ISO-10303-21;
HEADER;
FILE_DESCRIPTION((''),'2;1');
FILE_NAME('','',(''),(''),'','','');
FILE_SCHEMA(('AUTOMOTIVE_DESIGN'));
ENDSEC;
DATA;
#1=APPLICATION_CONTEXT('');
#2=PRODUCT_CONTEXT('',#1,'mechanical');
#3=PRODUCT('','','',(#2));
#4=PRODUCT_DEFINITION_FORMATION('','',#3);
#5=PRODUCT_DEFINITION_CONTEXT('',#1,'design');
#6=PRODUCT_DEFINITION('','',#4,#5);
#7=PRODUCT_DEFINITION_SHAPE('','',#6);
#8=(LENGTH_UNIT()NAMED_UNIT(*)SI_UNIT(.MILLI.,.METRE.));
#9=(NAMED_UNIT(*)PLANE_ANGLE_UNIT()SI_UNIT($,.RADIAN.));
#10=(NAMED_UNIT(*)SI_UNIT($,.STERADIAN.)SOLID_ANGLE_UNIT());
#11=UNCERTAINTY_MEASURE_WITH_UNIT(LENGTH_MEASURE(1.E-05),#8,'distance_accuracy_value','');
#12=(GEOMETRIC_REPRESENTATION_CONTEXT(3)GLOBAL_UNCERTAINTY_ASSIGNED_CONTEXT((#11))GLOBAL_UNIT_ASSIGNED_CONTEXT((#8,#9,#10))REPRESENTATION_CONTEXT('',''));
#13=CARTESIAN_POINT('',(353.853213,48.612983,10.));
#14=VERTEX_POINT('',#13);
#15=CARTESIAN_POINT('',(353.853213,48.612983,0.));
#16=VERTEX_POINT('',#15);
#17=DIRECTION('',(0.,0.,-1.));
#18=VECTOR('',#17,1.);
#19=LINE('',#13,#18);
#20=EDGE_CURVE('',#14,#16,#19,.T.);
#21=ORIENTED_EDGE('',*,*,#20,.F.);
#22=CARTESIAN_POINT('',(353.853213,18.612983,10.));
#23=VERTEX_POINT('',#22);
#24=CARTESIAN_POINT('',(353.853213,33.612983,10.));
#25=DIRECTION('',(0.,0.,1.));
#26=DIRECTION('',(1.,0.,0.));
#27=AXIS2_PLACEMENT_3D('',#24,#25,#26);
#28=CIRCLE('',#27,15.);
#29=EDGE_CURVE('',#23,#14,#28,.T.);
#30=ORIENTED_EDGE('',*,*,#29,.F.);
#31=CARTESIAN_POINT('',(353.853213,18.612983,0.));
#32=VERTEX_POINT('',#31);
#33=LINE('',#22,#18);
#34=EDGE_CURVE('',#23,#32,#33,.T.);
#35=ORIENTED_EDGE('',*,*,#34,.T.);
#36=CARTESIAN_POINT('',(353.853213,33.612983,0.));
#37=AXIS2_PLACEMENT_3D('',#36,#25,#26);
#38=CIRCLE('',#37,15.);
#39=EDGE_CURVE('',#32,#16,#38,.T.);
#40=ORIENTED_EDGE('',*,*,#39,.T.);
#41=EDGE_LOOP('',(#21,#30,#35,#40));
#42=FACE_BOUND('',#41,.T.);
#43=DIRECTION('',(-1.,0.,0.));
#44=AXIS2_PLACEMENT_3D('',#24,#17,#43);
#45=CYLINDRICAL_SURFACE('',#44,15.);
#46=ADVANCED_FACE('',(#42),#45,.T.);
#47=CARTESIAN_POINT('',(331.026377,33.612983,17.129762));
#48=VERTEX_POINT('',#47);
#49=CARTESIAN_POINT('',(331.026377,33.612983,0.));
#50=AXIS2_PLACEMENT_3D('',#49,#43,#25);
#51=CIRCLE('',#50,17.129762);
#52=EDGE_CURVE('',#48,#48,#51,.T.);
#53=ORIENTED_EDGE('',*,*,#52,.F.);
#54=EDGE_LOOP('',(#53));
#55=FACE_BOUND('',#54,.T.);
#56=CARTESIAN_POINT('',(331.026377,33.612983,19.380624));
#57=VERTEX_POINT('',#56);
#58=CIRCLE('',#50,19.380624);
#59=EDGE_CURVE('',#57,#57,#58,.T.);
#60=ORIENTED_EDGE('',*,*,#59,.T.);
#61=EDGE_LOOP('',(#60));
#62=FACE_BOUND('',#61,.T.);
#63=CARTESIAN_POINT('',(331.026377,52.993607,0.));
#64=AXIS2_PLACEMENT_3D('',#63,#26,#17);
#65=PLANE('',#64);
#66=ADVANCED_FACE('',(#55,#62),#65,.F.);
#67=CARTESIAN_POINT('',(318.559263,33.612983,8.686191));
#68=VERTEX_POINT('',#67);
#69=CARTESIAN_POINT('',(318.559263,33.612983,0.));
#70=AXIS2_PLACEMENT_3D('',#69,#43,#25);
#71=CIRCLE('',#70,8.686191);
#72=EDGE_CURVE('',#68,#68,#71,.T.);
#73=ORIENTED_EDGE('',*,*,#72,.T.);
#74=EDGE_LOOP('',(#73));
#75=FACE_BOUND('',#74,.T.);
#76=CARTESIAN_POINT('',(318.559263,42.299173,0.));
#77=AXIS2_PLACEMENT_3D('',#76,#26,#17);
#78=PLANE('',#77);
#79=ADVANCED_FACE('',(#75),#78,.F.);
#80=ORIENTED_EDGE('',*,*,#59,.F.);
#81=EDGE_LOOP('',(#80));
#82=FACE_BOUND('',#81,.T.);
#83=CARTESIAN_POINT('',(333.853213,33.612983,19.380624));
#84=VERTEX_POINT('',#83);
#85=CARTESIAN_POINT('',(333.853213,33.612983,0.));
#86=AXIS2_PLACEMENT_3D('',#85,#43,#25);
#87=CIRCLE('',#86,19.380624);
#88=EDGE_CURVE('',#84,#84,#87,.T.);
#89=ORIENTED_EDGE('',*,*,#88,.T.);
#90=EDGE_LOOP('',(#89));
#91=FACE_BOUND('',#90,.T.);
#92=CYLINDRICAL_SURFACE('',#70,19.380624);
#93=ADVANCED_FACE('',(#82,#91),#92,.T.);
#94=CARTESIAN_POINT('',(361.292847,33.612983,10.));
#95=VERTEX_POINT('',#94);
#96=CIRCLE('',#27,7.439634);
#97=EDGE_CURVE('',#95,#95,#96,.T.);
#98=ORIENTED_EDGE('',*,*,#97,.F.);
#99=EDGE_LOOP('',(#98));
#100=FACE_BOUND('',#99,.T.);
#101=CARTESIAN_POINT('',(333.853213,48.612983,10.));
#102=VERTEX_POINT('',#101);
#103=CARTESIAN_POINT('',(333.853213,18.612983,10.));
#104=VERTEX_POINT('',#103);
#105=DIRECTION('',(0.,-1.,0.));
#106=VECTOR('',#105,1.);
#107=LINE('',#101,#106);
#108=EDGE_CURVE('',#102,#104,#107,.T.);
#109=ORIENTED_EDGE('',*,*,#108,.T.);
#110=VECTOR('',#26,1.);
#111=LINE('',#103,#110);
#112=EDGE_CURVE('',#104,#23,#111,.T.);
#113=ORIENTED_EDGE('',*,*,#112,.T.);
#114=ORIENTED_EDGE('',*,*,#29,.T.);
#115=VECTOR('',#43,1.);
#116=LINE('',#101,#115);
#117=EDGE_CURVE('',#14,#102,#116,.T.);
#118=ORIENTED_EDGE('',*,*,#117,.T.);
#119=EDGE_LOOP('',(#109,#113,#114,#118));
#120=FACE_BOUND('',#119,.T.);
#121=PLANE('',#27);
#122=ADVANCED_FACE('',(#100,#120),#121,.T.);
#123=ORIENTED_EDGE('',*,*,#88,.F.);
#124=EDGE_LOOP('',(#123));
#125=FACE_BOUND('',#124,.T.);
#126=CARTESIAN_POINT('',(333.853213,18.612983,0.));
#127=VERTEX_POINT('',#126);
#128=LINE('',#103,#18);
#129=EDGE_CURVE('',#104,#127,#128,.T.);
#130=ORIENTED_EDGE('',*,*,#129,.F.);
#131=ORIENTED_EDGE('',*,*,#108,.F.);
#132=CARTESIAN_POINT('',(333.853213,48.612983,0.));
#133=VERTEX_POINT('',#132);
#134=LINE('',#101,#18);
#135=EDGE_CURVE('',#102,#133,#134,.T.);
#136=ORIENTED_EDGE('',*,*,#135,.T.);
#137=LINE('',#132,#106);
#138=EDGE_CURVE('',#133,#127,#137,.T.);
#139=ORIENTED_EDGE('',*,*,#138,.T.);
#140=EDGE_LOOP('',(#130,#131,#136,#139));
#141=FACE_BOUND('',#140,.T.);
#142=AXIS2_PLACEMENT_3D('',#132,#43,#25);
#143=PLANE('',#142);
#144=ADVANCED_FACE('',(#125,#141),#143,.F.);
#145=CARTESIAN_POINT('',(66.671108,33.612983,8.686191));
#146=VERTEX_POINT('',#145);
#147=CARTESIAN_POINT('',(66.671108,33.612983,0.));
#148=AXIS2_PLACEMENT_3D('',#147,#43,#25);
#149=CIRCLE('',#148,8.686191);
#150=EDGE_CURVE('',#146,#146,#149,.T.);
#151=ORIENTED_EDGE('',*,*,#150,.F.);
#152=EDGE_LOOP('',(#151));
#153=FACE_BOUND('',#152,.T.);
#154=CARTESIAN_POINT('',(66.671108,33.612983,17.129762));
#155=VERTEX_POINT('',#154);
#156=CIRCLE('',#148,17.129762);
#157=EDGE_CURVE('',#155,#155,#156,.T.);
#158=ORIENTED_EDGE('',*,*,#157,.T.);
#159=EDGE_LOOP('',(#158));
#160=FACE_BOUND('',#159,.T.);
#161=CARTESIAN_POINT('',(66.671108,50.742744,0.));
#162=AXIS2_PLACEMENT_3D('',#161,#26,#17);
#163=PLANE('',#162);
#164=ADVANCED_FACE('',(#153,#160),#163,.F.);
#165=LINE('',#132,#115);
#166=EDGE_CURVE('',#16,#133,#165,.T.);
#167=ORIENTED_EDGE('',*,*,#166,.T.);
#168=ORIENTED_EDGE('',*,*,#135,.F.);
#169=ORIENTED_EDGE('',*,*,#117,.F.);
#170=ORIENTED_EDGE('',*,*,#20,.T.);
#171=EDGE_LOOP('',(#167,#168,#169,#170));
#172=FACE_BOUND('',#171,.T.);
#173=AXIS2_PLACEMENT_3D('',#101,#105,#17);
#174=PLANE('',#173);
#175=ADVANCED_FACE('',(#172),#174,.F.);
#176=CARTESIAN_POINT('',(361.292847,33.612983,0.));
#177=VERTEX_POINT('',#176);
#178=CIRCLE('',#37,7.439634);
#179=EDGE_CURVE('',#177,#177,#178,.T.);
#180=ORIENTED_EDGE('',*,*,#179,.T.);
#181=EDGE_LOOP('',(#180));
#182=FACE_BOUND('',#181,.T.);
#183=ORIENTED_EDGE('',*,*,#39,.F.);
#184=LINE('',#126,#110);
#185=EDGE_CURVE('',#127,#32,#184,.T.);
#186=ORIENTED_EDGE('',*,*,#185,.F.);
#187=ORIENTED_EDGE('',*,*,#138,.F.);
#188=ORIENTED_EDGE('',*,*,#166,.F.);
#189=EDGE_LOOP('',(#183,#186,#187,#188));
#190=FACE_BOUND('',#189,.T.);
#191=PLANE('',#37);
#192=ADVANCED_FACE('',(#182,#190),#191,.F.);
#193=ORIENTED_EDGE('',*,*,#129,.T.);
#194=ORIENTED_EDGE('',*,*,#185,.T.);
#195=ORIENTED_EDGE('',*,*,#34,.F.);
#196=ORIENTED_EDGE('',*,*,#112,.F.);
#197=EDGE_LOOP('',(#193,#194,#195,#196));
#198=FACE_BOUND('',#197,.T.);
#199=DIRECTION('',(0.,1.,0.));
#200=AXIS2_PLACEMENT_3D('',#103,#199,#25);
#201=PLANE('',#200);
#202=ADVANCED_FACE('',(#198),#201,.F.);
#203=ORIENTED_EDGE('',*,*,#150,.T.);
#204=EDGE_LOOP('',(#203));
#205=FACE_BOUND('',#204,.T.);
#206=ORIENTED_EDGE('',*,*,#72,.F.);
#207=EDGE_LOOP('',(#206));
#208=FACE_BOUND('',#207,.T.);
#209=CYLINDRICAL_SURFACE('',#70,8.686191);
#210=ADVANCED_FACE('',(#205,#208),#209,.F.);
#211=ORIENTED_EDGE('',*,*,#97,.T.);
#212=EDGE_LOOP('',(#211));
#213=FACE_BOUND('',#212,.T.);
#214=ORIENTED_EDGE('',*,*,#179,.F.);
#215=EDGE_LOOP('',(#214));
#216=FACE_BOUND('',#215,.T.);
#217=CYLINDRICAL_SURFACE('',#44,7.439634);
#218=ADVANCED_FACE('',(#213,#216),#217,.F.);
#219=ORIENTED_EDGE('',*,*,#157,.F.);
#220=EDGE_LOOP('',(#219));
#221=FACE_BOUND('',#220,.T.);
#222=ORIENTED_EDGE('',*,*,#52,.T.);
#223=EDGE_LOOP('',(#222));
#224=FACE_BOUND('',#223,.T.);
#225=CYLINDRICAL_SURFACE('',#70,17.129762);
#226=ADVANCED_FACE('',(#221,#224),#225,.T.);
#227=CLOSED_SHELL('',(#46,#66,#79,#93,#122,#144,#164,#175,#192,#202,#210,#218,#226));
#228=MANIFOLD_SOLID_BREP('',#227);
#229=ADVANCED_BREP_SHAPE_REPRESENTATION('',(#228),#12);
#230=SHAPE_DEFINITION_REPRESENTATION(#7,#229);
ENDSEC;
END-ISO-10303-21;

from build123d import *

# Parameters (mm, degrees)
SKETCH1_R           = 7.439633922
BOSS_EXTRUDE1_DEPTH = 10


with BuildPart() as part:
    # Sketch1 → Boss-Extrude1 (new body)
    with BuildSketch(Plane.XY):
        with BuildLine():
            Line((333.85321321, 48.612982521), (353.85321321, 48.612982521))
            ThreePointArc((353.85321321, 48.612982521), (368.85321321, 33.612982521), (353.85321321, 18.612982521))
            Line((353.85321321, 18.612982521), (333.85321321, 18.612982521))
            Line((333.85321321, 18.612982521), (333.85321321, 48.612982521))
        make_face()
        with Locations((353.85321321, 33.612982521)):
            Circle(SKETCH1_R, mode=Mode.SUBTRACT)
    extrude(amount=BOSS_EXTRUDE1_DEPTH)

    # Sketch2 → Revolve2 (revolve)
    with BuildSketch(Plane.XY, mode=Mode.PRIVATE) as revolve2_sk:
        Polygon((333.85321321, 48.612982521), (333.85321321, 52.993606974), (331.026376732, 52.993606974), (331.026376732, 50.74274425), (66.67110802, 50.74274425), (66.67110802, 42.299173429), (318.559263149, 42.299173429), (318.559263149, 33.612982521), (333.85321321, 33.612982521), align=None)
    revolve(revolve2_sk.sketch.rotate(Axis((318.559263149, 33.612982521, 0), (1, 0, 0)), 90), axis=Axis((318.559263149, 33.612982521, 0), (1, 0, 0)))


solid = part.part
